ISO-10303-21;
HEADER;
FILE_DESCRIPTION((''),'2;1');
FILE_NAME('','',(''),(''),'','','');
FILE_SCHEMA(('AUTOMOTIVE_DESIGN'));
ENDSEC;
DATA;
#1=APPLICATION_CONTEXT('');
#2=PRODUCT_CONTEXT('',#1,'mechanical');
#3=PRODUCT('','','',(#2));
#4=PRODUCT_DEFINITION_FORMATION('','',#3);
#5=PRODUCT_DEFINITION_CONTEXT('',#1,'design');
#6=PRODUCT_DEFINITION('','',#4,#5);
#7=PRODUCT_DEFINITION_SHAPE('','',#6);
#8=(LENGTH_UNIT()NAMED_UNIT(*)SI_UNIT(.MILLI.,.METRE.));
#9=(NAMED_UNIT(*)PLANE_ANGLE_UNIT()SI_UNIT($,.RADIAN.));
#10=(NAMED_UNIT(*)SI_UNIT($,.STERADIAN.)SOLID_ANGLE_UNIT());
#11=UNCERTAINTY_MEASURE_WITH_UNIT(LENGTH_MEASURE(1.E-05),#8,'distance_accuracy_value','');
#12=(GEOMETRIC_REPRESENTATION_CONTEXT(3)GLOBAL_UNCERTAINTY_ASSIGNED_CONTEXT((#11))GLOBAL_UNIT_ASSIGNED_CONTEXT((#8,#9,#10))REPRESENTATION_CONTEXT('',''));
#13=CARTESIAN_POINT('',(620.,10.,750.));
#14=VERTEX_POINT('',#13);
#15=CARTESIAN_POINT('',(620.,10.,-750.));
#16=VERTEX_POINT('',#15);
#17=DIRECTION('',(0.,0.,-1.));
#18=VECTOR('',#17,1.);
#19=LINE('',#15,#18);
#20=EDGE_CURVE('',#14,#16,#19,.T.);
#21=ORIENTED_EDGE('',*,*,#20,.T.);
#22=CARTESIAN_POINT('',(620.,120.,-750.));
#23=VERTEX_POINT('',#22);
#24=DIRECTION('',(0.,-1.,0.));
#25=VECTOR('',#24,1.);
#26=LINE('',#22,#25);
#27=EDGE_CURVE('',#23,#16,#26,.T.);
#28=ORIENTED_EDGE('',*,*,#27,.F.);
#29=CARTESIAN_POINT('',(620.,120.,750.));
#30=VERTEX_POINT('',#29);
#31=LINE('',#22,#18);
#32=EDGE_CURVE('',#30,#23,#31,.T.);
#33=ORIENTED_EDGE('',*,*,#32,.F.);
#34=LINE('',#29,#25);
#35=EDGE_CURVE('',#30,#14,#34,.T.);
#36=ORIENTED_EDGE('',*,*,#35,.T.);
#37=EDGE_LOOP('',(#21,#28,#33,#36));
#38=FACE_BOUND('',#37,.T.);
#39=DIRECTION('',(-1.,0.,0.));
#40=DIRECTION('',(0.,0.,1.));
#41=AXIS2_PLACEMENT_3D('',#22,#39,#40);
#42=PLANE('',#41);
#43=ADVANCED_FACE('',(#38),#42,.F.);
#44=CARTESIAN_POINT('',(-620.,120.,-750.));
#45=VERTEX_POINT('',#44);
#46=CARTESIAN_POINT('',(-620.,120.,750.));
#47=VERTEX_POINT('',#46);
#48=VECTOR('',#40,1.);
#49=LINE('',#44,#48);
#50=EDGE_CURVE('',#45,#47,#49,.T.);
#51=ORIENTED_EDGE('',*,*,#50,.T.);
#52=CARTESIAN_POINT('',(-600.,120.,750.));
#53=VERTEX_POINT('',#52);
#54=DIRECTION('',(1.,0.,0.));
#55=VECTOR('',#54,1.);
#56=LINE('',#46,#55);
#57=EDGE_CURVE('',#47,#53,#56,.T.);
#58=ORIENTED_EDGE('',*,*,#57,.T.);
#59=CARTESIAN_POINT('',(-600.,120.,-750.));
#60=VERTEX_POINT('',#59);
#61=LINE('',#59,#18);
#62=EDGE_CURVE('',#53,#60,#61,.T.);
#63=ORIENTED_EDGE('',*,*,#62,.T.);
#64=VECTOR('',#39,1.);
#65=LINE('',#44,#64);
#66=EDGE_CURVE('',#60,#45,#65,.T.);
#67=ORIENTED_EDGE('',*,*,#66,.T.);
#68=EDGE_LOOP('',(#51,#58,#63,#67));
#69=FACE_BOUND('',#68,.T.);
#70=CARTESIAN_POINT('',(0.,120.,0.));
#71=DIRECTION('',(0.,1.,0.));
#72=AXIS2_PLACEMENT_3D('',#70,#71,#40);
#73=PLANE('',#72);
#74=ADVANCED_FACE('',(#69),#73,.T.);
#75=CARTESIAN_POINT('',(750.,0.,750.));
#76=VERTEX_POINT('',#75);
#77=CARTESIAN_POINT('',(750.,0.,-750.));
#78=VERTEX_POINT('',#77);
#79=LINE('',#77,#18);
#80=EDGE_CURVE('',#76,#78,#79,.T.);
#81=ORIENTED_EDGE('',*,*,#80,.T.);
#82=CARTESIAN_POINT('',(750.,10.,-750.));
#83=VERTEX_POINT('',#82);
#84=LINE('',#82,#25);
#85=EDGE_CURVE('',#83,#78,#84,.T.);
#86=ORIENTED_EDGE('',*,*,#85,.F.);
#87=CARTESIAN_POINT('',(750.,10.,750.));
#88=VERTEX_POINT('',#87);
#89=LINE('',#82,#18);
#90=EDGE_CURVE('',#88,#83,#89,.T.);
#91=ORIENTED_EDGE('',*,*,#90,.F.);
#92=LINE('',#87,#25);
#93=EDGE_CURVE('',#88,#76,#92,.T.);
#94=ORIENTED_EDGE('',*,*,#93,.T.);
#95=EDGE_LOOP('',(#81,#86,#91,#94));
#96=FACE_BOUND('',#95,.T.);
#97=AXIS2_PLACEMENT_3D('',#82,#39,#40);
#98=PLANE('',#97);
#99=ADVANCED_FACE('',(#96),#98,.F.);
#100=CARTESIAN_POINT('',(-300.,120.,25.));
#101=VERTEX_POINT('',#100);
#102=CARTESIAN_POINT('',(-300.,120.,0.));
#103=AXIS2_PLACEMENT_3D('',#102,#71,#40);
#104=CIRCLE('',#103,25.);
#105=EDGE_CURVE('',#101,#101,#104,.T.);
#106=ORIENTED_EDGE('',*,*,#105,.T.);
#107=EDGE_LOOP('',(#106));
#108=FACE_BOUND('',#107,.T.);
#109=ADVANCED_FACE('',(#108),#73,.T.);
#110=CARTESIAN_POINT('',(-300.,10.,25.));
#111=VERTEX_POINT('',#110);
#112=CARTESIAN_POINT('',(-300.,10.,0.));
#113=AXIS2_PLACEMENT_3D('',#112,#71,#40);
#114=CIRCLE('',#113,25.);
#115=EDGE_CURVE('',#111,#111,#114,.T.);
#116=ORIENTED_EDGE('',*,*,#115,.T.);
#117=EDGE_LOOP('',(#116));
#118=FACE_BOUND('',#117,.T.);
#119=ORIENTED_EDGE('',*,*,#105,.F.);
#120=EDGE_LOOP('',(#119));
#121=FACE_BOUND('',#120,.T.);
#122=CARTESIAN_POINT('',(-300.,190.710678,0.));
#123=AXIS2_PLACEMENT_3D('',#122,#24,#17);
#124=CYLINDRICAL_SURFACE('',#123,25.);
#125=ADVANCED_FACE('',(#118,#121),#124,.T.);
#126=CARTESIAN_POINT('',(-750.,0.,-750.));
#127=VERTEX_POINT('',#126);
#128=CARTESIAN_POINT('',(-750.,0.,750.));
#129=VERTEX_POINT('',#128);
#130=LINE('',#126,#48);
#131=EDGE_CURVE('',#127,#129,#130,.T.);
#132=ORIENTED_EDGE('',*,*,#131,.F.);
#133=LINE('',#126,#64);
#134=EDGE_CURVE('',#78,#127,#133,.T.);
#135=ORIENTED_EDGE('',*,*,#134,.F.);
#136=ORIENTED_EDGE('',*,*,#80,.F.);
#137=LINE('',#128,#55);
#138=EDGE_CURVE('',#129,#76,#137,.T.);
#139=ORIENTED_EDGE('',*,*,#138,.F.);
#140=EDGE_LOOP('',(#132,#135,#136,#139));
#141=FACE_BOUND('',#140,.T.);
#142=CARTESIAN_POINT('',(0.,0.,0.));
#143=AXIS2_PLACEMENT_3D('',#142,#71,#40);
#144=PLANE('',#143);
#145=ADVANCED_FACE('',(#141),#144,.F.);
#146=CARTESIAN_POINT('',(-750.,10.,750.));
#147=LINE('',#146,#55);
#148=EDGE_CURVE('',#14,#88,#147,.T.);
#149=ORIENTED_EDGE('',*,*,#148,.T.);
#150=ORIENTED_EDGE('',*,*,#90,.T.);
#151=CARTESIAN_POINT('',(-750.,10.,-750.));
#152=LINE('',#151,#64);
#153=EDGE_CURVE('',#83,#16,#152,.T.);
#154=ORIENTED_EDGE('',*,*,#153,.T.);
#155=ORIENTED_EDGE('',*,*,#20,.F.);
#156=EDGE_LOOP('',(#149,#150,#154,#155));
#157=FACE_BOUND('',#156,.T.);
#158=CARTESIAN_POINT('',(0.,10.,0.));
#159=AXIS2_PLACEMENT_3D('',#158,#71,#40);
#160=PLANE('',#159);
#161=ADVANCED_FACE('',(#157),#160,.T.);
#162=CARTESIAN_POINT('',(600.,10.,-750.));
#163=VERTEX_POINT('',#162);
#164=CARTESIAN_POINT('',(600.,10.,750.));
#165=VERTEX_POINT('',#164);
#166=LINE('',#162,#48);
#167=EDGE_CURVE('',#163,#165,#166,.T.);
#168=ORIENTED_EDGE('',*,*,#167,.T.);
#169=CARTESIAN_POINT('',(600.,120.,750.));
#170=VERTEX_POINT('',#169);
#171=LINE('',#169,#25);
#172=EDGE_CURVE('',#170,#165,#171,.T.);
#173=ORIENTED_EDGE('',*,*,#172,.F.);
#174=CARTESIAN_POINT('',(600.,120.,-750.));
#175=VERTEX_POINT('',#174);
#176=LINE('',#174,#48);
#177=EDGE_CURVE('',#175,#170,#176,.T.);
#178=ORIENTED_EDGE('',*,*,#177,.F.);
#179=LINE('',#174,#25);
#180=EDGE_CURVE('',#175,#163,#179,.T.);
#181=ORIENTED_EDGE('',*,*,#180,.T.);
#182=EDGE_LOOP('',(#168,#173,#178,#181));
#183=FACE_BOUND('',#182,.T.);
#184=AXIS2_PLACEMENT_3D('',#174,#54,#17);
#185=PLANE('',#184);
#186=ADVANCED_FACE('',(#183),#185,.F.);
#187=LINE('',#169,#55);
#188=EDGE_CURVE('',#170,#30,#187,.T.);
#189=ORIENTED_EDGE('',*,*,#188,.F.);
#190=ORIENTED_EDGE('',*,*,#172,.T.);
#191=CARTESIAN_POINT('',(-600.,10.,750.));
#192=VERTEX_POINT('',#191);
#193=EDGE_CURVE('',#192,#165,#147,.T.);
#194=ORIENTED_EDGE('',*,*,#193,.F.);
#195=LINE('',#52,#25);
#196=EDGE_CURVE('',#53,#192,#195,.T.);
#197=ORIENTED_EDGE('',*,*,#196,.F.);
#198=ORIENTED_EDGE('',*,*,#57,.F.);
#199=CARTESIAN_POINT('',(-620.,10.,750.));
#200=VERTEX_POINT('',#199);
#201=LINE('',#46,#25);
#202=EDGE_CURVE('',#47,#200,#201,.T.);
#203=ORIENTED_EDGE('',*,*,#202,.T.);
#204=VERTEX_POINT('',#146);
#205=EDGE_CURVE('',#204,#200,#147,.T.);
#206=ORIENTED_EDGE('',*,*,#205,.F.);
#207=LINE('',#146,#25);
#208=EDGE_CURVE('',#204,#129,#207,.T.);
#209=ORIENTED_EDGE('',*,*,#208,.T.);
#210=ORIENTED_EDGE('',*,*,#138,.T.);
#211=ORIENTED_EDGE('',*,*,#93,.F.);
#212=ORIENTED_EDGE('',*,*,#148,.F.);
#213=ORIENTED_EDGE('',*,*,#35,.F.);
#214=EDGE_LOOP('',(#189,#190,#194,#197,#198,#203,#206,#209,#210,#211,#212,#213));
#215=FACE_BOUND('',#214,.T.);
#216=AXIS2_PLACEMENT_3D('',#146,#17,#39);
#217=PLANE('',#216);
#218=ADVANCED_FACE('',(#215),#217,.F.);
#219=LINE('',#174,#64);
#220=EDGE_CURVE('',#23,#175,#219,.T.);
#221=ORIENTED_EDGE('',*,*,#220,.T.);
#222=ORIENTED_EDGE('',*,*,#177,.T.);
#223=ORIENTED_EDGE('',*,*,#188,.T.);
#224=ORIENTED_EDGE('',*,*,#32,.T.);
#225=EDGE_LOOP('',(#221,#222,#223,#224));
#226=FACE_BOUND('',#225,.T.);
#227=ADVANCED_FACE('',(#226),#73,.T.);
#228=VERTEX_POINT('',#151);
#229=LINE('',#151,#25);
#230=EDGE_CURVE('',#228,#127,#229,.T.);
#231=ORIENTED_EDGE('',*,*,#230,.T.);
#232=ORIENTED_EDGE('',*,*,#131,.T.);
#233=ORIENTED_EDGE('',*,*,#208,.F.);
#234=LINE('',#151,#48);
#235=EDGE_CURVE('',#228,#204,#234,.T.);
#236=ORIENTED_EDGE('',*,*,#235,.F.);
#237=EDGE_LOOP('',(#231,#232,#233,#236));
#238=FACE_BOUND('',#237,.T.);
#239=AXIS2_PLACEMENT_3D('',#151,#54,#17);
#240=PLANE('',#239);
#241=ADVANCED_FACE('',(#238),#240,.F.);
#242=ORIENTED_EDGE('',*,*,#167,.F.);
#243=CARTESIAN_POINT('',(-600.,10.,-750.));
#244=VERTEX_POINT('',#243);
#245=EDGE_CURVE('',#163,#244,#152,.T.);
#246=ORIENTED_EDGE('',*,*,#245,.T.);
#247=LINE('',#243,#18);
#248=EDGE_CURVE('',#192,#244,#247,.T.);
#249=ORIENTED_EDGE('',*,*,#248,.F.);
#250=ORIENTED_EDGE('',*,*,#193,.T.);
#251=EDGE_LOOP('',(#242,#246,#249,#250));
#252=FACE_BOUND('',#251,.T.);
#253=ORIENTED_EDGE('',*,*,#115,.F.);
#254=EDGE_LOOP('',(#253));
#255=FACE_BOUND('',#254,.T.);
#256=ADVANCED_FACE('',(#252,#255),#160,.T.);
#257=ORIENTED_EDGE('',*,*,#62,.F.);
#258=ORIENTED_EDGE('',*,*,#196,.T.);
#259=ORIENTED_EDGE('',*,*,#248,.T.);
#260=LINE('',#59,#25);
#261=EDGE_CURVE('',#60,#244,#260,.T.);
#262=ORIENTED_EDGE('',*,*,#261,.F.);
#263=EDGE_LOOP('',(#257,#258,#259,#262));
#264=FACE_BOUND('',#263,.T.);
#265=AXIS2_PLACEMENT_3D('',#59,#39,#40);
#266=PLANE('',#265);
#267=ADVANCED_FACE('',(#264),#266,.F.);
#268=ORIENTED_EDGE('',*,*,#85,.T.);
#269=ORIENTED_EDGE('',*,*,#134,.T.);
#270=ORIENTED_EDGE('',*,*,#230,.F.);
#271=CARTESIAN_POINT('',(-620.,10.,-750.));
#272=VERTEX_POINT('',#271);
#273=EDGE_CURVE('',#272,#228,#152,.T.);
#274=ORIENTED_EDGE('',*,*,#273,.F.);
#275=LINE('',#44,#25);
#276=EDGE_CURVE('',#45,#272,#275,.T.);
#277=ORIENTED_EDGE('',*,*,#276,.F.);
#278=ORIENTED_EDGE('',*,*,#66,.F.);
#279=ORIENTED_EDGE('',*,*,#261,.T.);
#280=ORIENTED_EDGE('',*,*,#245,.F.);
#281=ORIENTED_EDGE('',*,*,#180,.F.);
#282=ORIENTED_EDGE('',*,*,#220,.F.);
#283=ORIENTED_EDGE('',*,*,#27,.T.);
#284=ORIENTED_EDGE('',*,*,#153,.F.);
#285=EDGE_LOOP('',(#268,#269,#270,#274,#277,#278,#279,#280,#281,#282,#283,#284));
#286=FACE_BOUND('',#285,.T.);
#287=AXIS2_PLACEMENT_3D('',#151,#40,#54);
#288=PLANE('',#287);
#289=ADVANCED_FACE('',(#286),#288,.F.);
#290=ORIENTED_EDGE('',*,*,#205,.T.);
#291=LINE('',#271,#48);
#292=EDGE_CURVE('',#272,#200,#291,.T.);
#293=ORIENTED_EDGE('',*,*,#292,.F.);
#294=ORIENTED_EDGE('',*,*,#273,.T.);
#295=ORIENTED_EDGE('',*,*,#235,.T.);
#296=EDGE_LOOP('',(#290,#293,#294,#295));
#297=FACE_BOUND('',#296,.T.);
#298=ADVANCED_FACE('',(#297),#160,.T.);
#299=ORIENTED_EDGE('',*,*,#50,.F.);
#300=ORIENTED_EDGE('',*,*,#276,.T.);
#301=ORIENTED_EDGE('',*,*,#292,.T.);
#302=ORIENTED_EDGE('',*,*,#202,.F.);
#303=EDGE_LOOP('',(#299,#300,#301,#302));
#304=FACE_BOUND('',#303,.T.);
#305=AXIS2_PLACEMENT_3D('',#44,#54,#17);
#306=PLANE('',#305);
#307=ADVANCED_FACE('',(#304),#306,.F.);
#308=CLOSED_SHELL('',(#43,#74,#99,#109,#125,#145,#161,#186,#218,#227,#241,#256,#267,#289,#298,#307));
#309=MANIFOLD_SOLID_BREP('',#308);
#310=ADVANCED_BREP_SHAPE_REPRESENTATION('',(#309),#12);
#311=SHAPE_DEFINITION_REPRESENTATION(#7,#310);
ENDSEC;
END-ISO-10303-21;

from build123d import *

# Parameters (mm, degrees)
SKETCH2_W           = 1500
SKETCH2_H           = 1500
BOSS_EXTRUDE1_DEPTH = 10
SKETCH3_W           = 20
SKETCH3_H           = 1500
BOSS_EXTRUDE2_DEPTH = 110
SKETCH4_R           = 25
BOSS_EXTRUDE3_DEPTH = 110


with BuildPart() as part:
    # Sketch2 → Boss-Extrude1 (new body)
    with BuildSketch(Plane(origin=(0, 0, 0), x_dir=(1, 0, 0), z_dir=(0, 1, 0))):
        Rectangle(SKETCH2_W, SKETCH2_H)
    extrude(amount=BOSS_EXTRUDE1_DEPTH)

    # Sketch3 → Boss-Extrude2 (add)
    with BuildSketch(Plane(origin=(0, 10, 0), x_dir=(1, 0, 0), z_dir=(0, 1, 0))):
        with Locations((-610, 0)):
            Rectangle(SKETCH3_W, SKETCH3_H)
        with Locations((610, 0)):
            Rectangle(SKETCH3_W, SKETCH3_H)
    extrude(amount=BOSS_EXTRUDE2_DEPTH)

    # Sketch4 → Boss-Extrude3 (add)
    with BuildSketch(Plane(origin=(0, 10, 0), x_dir=(1, 0, 0), z_dir=(0, 1, 0))):
        with Locations((-300, 0)):
            Circle(SKETCH4_R)
    extrude(amount=BOSS_EXTRUDE3_DEPTH)


solid = part.part
